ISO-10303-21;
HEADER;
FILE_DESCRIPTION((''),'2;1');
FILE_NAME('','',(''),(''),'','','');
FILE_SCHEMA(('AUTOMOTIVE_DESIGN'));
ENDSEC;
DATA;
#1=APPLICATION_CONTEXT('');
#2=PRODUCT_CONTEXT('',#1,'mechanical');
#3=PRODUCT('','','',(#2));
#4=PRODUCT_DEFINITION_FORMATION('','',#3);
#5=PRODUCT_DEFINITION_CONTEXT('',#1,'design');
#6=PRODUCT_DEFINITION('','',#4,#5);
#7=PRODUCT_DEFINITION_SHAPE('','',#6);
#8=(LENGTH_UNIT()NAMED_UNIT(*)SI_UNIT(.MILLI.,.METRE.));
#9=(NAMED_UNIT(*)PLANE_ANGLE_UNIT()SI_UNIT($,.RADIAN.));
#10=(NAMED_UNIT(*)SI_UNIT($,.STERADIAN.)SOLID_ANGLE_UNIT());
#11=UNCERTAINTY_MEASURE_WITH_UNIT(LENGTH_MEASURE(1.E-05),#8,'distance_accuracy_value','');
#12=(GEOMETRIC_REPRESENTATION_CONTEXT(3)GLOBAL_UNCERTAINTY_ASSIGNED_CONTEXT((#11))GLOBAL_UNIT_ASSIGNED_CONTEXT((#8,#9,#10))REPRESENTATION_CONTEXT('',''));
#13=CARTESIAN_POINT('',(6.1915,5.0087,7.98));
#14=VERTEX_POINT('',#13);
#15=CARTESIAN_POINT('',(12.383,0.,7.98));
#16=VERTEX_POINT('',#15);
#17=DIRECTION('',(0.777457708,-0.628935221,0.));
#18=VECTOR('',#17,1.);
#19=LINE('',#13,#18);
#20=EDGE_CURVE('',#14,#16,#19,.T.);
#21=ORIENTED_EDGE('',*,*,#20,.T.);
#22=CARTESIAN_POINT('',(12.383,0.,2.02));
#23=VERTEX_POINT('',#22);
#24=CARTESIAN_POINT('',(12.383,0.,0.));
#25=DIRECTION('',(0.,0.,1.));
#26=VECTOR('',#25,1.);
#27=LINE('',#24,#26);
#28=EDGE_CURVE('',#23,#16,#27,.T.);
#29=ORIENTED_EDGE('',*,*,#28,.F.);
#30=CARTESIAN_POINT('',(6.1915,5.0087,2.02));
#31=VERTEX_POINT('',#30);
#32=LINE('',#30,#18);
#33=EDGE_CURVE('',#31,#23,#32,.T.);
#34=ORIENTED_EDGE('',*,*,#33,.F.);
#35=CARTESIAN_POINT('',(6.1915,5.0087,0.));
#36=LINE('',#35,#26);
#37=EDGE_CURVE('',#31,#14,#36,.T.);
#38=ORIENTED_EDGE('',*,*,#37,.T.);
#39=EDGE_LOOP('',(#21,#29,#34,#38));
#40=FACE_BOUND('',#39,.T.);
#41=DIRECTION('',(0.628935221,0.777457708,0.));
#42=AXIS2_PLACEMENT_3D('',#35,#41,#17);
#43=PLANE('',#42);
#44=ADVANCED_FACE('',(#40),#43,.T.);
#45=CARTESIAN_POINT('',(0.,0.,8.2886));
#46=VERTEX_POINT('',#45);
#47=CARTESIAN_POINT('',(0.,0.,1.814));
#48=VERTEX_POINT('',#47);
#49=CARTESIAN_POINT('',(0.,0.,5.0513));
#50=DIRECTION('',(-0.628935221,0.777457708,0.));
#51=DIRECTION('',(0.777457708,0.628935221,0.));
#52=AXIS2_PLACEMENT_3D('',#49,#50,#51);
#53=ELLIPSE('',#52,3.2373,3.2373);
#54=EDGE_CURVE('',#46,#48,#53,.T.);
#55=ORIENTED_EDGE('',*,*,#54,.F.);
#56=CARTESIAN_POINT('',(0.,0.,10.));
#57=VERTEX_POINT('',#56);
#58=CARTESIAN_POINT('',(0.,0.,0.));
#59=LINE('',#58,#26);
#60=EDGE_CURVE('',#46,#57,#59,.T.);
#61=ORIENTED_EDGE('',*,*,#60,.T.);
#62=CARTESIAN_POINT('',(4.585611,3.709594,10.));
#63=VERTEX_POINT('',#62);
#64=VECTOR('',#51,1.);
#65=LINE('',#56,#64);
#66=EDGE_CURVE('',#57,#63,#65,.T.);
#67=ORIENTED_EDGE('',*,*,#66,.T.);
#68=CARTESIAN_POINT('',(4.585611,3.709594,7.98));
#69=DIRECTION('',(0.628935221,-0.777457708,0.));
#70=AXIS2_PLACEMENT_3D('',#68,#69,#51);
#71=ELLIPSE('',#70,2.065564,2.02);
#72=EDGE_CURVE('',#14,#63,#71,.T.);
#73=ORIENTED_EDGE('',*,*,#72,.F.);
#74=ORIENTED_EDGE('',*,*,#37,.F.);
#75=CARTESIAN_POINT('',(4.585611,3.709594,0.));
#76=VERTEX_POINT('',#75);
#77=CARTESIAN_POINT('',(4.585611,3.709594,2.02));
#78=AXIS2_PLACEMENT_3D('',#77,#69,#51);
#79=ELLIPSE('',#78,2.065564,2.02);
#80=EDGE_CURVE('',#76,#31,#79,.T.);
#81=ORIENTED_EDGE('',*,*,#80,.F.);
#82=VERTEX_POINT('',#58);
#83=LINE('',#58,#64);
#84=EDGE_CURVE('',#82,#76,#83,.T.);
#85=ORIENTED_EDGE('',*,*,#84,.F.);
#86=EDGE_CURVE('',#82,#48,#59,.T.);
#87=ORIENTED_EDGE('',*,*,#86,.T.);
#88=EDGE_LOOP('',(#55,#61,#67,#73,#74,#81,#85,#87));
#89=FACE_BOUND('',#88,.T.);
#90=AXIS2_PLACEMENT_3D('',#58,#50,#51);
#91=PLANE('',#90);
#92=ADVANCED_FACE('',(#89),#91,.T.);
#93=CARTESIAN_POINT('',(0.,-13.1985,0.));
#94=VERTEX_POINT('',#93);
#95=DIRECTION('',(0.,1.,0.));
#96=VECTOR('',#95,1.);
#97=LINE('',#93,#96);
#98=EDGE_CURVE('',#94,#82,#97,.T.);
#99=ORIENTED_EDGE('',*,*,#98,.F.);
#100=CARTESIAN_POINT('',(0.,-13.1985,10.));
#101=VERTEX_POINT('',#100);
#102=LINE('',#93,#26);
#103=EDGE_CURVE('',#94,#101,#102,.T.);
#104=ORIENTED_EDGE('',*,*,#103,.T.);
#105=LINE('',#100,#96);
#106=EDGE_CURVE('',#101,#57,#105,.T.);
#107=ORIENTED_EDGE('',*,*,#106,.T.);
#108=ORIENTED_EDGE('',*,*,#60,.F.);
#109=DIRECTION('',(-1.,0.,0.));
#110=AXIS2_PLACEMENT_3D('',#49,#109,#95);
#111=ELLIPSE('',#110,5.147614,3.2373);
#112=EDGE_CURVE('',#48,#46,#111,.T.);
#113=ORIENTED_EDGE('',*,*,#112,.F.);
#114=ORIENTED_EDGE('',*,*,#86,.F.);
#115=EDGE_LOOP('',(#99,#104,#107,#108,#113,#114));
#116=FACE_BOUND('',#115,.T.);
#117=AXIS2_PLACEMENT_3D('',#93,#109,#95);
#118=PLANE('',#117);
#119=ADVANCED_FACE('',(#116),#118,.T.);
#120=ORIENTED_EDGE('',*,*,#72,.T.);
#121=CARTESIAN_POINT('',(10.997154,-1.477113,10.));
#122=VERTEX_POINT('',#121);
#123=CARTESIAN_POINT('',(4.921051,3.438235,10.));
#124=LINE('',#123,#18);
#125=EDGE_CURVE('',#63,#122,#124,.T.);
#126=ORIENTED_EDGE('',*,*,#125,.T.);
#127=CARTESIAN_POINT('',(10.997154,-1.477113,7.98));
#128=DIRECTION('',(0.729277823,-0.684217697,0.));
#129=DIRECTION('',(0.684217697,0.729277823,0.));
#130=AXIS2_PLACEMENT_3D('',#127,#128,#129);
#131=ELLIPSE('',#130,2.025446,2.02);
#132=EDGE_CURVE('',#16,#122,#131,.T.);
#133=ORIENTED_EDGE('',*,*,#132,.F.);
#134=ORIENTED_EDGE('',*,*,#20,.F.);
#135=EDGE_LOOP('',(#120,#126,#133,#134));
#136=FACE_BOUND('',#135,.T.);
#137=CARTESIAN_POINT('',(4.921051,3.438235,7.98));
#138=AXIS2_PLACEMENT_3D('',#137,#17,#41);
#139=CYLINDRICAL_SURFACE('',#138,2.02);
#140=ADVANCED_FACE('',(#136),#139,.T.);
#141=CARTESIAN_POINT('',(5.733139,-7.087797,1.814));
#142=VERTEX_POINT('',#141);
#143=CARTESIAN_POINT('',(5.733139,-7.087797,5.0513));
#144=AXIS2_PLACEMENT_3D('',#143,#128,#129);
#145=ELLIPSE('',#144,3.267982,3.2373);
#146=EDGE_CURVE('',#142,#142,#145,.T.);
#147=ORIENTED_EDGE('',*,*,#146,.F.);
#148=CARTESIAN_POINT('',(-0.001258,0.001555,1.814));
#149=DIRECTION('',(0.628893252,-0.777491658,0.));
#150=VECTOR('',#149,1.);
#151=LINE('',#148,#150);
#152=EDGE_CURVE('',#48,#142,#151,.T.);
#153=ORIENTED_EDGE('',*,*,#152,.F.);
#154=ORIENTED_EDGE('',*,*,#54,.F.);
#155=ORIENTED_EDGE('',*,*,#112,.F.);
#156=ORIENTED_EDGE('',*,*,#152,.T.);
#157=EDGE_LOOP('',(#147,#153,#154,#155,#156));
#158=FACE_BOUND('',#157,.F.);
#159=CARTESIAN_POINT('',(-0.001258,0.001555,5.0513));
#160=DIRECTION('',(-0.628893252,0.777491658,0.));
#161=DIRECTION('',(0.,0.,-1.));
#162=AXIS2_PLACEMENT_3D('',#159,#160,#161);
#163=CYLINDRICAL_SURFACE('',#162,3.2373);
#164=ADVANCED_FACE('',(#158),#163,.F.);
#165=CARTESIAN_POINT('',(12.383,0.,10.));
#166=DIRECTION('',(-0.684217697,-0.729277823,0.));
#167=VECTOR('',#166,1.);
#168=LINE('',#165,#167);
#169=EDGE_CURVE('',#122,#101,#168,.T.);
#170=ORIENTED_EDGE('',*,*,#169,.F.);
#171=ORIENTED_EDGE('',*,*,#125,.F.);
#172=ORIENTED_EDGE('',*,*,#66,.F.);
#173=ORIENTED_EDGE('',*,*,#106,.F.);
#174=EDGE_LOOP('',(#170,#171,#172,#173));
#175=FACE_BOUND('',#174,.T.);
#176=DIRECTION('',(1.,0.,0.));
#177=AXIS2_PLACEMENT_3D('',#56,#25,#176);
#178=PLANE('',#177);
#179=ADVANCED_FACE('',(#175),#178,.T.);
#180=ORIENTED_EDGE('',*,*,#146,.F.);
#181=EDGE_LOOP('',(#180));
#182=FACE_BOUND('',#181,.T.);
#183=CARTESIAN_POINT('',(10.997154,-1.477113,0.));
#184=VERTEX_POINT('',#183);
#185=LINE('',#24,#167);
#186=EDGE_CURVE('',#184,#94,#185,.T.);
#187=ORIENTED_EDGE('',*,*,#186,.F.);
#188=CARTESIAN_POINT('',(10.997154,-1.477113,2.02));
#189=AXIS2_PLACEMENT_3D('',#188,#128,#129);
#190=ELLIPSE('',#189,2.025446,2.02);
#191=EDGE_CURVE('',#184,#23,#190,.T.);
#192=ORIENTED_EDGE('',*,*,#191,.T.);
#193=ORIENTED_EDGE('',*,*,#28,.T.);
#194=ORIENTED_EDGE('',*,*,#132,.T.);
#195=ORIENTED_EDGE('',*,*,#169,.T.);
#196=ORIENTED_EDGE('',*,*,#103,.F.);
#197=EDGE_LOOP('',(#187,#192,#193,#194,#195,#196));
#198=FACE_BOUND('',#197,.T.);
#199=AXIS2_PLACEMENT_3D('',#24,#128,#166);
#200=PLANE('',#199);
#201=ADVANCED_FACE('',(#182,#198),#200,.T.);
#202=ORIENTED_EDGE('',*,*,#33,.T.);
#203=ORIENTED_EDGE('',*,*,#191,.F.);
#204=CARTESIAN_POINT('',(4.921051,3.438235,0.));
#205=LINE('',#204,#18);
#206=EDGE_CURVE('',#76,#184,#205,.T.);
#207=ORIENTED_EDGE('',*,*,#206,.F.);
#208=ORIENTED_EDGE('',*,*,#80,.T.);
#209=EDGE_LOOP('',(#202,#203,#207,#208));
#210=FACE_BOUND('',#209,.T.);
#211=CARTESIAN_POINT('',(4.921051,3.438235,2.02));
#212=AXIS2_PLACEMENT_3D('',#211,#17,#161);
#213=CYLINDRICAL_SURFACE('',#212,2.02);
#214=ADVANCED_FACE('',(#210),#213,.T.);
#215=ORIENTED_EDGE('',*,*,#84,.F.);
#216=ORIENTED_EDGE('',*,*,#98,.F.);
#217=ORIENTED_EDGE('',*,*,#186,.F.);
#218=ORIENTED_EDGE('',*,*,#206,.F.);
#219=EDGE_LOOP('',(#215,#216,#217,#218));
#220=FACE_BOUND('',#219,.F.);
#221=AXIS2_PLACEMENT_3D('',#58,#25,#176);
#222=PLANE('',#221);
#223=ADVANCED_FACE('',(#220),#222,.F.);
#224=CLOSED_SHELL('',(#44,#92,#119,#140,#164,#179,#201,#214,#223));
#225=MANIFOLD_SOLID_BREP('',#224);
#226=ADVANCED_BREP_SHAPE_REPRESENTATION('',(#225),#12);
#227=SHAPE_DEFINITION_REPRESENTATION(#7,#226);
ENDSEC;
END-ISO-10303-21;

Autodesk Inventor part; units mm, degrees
ref_plane "YZ Plane" through (0, 0, 0) normal (1, 0, 0) x (0, 1, 0)
ref_plane "XZ Plane" through (0, 0, 0) normal (0, 1, 0) x (-1, 0, 0)
ref_plane "XY Plane" through (0, 0, 0) normal (0, 0, 1) x (1, 0, 0)
sketch "Sketch1" plane through (0, 0, 0) normal (0, 0, 1) x (1, 0, 0)
  line L0 (0, 0) -> (6.1915, 5.0087)
  line L1 (6.1915, 5.0087) -> (12.383, 0)
  line L2 (12.383, 0) -> (0, -13.1985)
  line L3 (0, -13.1985) -> (0, 0)
  point P0 (5.6638, -7.1617)
  dimension "d2" = 7.854
  dimension "d3" = 7.9638
  dimension "d4" = 18.0981
extrude "Extrusion1" add sketch "Sketch1" along normal blind 10
sketch "Sketch3" plane through (0, 0, 10) normal (-0.6289, 0.7775, 0) x (0, 0, -1)
  circle A0 centre (4.9487, 0) radius 3.2373
  point P0 (10, 0)
extrude "Extrusion2" cut sketch "Sketch3" against normal blind 10
fillet "Fillet1" radius 2.02 2 edges at (9.2873, 2.5044, 10) (9.2873, 2.5044, 0)
properties part number "My really cool, really epic hole in a ramp"
